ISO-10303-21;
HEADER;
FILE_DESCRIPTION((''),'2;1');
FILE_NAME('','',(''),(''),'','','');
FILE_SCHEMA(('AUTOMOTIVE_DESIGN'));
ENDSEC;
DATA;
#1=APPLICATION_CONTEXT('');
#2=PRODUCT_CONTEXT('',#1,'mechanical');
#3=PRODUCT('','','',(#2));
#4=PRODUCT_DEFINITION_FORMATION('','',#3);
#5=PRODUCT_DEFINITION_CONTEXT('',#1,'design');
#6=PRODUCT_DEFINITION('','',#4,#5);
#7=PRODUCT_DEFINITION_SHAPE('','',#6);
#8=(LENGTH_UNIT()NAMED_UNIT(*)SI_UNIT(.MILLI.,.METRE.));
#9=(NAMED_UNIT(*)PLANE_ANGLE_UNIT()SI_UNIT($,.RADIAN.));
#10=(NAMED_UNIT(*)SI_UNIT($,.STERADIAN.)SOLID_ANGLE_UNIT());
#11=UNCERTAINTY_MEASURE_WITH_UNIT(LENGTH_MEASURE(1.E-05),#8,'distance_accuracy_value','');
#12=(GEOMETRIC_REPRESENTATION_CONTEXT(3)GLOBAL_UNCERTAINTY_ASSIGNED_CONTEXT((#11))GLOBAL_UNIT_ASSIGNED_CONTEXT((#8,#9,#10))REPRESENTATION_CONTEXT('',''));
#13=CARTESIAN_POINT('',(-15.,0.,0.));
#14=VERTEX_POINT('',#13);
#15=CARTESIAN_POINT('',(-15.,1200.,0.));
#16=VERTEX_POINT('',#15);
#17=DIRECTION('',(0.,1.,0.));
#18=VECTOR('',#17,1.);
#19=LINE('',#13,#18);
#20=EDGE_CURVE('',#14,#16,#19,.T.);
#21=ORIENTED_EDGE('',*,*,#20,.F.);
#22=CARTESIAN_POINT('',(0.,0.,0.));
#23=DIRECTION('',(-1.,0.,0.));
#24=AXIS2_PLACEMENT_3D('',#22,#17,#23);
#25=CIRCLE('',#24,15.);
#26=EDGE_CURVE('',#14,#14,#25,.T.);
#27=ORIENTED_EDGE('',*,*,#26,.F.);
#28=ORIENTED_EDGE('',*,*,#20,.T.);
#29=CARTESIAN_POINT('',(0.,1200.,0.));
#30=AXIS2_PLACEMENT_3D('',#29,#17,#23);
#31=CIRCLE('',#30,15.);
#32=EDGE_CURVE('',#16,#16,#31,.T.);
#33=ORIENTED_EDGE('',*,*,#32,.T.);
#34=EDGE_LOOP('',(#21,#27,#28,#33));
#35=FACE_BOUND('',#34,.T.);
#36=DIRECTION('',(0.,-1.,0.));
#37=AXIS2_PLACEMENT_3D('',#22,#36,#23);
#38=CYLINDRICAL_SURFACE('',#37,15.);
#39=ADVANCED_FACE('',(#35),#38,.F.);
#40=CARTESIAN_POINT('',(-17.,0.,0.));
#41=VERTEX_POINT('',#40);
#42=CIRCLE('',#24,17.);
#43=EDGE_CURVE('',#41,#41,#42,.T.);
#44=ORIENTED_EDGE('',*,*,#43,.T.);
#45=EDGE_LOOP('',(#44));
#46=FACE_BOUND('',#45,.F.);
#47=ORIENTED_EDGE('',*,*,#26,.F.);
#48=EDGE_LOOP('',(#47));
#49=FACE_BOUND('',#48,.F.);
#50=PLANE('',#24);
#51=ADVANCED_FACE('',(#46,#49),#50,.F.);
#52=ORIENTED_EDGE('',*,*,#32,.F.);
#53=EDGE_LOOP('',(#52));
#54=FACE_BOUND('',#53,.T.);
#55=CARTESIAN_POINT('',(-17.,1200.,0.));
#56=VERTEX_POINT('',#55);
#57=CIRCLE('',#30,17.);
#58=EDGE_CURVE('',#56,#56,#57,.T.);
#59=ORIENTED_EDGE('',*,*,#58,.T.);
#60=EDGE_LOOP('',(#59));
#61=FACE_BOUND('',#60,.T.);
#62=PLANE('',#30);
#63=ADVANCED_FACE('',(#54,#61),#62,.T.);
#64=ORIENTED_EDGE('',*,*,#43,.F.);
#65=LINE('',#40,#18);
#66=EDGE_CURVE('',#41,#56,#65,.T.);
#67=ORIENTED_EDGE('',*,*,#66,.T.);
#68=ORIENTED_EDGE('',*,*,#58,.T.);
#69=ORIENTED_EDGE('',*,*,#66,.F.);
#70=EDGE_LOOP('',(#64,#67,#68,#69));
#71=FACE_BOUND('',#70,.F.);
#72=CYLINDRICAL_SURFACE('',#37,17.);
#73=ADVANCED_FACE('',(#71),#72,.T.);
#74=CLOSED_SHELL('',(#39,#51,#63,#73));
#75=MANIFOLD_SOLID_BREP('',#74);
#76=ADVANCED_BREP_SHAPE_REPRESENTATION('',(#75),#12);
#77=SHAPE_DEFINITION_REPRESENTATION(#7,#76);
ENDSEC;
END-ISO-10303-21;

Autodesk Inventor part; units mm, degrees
ref_plane "YZ Plane" through (0, 0, 0) normal (1, 0, 0) x (0, 1, 0)
ref_plane "XZ Plane" through (0, 0, 0) normal (0, 1, 0) x (-1, 0, 0)
ref_plane "XY Plane" through (0, 0, 0) normal (0, 0, 1) x (1, 0, 0)
sketch "Sketch1" plane through (0, 0, 0) normal (0, 1, 0) x (-1, 0, 0)
  circle A0 centre (0, 0) radius 15
  circle A1 centre (0, 0) radius 17
  dimension "d0" = 34
  dimension "d1" = 2
extrude "Extrusion1" add sketch "Sketch1" along normal blind 1200
properties part number "BoronProbePipeLong" material "Stainless Steel, 440C"
